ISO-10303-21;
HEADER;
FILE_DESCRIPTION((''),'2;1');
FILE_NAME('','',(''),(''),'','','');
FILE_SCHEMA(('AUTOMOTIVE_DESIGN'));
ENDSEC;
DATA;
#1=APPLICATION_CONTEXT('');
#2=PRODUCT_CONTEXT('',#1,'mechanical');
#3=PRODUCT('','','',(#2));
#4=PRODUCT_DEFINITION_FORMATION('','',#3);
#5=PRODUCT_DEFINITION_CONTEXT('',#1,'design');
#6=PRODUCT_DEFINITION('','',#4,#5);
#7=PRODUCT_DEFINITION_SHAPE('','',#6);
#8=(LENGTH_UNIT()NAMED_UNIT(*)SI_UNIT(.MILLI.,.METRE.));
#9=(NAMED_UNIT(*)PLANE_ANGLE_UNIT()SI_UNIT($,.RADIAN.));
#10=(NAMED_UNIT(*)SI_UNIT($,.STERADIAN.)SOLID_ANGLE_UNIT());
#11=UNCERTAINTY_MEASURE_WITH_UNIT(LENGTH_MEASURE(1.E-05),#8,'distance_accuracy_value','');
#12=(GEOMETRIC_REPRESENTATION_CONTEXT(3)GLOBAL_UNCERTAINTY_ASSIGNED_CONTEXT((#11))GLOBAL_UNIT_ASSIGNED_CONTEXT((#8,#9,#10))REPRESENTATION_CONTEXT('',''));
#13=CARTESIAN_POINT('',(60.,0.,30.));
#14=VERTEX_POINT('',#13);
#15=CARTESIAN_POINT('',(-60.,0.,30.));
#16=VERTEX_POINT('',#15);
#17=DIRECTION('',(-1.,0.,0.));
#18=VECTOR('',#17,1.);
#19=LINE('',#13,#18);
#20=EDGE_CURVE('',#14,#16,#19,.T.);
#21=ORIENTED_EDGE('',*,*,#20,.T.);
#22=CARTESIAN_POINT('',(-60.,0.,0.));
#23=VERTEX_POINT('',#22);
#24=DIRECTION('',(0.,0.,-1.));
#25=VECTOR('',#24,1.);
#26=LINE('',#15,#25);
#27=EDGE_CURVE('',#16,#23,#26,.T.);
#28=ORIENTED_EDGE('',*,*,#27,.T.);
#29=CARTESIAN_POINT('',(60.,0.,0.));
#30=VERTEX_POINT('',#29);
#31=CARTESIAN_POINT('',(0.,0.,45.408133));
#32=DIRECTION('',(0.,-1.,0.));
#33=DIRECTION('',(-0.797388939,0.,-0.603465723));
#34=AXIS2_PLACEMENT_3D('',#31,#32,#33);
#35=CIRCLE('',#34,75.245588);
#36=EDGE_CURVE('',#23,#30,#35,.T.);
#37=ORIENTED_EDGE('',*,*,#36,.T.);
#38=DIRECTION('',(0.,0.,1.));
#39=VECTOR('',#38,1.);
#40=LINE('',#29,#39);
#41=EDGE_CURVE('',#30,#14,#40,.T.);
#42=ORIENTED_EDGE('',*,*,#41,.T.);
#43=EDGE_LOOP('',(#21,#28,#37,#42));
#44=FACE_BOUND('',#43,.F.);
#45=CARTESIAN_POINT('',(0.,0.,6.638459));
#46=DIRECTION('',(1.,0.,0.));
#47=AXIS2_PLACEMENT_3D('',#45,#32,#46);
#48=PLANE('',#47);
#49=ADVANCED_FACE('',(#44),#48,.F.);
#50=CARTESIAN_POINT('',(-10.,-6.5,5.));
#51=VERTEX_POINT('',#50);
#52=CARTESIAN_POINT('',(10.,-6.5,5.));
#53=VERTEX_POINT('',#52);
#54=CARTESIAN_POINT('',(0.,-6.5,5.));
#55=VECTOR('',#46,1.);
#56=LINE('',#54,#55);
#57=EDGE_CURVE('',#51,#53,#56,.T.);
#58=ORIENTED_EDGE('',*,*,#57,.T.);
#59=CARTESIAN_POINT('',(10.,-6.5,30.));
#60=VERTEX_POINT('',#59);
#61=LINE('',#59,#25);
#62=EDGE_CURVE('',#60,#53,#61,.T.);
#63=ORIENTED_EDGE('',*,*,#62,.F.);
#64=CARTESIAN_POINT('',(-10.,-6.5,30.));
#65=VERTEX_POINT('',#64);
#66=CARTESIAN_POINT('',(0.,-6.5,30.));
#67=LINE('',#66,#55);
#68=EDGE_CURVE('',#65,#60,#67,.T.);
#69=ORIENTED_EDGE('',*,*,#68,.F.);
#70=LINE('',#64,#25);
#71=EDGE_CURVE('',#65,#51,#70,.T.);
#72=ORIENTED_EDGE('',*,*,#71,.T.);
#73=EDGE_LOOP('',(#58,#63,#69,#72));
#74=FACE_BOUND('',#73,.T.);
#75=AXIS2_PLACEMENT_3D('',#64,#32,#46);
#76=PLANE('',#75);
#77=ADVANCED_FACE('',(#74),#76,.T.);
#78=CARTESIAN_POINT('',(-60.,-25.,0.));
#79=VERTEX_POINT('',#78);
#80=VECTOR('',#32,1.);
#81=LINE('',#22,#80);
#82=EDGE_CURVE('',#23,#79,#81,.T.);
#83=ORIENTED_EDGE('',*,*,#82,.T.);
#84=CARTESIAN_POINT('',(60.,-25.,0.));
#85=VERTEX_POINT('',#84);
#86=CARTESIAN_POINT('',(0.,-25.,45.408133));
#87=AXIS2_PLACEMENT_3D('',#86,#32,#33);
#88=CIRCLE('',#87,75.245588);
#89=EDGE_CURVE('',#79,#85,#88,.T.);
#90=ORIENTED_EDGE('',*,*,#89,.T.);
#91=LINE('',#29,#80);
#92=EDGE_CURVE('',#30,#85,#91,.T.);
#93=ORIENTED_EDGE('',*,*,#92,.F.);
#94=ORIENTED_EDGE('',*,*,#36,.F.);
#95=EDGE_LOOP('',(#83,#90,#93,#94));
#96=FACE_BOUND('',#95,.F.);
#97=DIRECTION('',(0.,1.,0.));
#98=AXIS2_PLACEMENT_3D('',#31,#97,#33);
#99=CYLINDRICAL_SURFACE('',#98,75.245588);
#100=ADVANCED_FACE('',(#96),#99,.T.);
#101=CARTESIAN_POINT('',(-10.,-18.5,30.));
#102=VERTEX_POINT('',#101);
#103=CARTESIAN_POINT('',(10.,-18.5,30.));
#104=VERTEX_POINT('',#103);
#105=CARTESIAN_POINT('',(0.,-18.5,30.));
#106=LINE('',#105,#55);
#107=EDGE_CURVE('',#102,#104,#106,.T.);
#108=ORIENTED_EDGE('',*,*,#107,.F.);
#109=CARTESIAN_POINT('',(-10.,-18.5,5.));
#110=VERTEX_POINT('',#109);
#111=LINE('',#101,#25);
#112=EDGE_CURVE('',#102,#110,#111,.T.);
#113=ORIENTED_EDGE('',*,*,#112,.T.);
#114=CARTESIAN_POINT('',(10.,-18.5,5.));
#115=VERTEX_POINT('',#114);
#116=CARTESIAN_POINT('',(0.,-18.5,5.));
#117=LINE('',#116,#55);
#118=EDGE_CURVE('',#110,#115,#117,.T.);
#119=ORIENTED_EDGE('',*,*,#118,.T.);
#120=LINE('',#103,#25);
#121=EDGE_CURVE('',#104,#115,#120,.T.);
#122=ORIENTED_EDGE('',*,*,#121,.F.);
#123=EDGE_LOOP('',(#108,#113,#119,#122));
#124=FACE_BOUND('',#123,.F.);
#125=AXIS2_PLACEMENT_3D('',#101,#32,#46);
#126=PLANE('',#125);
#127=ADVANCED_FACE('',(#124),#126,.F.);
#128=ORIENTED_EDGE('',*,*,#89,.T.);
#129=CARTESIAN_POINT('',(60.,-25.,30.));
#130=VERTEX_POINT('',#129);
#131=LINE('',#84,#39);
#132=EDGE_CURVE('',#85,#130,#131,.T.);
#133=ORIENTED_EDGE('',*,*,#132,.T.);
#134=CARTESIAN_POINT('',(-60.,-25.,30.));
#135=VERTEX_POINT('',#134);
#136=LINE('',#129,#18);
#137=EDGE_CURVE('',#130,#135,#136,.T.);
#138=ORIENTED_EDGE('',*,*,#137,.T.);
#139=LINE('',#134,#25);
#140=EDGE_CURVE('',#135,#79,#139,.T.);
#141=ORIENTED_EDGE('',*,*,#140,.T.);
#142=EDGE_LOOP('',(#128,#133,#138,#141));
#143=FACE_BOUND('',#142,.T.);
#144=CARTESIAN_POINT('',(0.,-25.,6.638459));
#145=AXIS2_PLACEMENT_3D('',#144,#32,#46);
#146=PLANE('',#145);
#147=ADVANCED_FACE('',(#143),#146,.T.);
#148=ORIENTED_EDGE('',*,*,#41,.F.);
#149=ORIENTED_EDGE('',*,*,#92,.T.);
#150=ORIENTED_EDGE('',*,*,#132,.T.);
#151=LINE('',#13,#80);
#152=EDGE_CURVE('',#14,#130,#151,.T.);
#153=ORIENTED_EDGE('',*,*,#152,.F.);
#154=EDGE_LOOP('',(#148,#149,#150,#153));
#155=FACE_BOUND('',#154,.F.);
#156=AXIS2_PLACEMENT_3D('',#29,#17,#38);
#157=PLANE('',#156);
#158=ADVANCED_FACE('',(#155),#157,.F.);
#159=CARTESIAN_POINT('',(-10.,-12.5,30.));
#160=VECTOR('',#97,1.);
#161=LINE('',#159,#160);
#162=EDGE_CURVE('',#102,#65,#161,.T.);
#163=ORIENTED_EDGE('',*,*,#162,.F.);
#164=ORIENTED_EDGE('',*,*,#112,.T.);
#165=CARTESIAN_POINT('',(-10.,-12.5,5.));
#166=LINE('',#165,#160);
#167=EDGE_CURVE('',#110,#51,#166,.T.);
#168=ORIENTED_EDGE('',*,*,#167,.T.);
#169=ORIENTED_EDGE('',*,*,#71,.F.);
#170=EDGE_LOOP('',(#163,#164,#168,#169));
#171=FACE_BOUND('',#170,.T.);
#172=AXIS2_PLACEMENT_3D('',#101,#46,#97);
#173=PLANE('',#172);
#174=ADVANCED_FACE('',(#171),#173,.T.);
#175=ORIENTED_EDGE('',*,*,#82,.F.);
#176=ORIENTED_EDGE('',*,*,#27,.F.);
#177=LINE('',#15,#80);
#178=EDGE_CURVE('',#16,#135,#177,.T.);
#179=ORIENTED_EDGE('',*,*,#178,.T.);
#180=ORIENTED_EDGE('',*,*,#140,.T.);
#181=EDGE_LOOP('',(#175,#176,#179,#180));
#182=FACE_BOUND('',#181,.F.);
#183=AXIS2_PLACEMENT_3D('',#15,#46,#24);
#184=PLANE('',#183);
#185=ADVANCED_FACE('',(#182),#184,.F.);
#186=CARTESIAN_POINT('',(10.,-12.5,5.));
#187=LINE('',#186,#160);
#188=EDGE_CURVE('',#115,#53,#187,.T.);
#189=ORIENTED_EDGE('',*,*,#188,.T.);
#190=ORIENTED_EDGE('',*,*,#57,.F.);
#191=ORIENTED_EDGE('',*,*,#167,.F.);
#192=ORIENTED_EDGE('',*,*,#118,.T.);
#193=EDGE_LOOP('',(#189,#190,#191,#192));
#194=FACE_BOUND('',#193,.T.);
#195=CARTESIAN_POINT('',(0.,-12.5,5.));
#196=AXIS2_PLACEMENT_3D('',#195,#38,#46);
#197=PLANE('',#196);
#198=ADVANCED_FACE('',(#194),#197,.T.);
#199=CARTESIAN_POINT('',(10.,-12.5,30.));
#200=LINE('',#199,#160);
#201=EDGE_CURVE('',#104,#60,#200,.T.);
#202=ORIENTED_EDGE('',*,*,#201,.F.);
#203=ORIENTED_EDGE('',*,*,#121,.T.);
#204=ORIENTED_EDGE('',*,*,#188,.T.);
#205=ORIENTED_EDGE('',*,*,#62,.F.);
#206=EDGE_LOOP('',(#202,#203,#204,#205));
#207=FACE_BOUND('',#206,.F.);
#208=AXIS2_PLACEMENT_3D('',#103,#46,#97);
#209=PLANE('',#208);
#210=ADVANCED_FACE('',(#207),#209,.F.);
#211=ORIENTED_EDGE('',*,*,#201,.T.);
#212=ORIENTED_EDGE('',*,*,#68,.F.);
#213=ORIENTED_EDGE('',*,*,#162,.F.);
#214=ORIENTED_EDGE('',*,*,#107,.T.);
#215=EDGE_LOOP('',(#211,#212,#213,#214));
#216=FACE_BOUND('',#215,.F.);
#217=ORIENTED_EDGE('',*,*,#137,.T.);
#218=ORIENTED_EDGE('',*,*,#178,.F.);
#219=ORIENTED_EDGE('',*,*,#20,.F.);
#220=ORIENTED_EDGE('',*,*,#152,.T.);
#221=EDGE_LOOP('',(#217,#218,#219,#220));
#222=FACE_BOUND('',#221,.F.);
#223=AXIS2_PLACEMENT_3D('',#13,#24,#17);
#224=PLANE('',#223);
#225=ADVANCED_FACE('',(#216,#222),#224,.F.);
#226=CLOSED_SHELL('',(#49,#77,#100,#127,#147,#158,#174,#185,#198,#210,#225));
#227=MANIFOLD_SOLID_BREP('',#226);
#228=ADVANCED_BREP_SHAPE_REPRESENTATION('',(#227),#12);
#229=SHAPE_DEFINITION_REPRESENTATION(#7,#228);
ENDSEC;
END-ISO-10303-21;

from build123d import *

# Parameters (mm, degrees)
F1_DEPTH = 25
F2_W     = 20
F2_H     = 12
F3_DEPTH = 25


with BuildPart() as f1:
    # F0 (on Front) → F1 (new body)
    with BuildSketch(Plane.XZ):
        with BuildLine():
            Line((60, 30), (-60, 30))
            Line((-60, 30), (-60, 0))
            ThreePointArc((-60, 0), (0, -29.837455), (60, 0))
            Line((60, 0), (60, 30))
        make_face()
    extrude(amount=F1_DEPTH)

    # F2 (on face) → F3 (cut)
    with BuildSketch(Plane.XY.offset(30)):
        with Locations((0, -12.5)):
            Rectangle(F2_W, F2_H)
    extrude(amount=-F3_DEPTH, mode=Mode.SUBTRACT)


solid = f1.part
